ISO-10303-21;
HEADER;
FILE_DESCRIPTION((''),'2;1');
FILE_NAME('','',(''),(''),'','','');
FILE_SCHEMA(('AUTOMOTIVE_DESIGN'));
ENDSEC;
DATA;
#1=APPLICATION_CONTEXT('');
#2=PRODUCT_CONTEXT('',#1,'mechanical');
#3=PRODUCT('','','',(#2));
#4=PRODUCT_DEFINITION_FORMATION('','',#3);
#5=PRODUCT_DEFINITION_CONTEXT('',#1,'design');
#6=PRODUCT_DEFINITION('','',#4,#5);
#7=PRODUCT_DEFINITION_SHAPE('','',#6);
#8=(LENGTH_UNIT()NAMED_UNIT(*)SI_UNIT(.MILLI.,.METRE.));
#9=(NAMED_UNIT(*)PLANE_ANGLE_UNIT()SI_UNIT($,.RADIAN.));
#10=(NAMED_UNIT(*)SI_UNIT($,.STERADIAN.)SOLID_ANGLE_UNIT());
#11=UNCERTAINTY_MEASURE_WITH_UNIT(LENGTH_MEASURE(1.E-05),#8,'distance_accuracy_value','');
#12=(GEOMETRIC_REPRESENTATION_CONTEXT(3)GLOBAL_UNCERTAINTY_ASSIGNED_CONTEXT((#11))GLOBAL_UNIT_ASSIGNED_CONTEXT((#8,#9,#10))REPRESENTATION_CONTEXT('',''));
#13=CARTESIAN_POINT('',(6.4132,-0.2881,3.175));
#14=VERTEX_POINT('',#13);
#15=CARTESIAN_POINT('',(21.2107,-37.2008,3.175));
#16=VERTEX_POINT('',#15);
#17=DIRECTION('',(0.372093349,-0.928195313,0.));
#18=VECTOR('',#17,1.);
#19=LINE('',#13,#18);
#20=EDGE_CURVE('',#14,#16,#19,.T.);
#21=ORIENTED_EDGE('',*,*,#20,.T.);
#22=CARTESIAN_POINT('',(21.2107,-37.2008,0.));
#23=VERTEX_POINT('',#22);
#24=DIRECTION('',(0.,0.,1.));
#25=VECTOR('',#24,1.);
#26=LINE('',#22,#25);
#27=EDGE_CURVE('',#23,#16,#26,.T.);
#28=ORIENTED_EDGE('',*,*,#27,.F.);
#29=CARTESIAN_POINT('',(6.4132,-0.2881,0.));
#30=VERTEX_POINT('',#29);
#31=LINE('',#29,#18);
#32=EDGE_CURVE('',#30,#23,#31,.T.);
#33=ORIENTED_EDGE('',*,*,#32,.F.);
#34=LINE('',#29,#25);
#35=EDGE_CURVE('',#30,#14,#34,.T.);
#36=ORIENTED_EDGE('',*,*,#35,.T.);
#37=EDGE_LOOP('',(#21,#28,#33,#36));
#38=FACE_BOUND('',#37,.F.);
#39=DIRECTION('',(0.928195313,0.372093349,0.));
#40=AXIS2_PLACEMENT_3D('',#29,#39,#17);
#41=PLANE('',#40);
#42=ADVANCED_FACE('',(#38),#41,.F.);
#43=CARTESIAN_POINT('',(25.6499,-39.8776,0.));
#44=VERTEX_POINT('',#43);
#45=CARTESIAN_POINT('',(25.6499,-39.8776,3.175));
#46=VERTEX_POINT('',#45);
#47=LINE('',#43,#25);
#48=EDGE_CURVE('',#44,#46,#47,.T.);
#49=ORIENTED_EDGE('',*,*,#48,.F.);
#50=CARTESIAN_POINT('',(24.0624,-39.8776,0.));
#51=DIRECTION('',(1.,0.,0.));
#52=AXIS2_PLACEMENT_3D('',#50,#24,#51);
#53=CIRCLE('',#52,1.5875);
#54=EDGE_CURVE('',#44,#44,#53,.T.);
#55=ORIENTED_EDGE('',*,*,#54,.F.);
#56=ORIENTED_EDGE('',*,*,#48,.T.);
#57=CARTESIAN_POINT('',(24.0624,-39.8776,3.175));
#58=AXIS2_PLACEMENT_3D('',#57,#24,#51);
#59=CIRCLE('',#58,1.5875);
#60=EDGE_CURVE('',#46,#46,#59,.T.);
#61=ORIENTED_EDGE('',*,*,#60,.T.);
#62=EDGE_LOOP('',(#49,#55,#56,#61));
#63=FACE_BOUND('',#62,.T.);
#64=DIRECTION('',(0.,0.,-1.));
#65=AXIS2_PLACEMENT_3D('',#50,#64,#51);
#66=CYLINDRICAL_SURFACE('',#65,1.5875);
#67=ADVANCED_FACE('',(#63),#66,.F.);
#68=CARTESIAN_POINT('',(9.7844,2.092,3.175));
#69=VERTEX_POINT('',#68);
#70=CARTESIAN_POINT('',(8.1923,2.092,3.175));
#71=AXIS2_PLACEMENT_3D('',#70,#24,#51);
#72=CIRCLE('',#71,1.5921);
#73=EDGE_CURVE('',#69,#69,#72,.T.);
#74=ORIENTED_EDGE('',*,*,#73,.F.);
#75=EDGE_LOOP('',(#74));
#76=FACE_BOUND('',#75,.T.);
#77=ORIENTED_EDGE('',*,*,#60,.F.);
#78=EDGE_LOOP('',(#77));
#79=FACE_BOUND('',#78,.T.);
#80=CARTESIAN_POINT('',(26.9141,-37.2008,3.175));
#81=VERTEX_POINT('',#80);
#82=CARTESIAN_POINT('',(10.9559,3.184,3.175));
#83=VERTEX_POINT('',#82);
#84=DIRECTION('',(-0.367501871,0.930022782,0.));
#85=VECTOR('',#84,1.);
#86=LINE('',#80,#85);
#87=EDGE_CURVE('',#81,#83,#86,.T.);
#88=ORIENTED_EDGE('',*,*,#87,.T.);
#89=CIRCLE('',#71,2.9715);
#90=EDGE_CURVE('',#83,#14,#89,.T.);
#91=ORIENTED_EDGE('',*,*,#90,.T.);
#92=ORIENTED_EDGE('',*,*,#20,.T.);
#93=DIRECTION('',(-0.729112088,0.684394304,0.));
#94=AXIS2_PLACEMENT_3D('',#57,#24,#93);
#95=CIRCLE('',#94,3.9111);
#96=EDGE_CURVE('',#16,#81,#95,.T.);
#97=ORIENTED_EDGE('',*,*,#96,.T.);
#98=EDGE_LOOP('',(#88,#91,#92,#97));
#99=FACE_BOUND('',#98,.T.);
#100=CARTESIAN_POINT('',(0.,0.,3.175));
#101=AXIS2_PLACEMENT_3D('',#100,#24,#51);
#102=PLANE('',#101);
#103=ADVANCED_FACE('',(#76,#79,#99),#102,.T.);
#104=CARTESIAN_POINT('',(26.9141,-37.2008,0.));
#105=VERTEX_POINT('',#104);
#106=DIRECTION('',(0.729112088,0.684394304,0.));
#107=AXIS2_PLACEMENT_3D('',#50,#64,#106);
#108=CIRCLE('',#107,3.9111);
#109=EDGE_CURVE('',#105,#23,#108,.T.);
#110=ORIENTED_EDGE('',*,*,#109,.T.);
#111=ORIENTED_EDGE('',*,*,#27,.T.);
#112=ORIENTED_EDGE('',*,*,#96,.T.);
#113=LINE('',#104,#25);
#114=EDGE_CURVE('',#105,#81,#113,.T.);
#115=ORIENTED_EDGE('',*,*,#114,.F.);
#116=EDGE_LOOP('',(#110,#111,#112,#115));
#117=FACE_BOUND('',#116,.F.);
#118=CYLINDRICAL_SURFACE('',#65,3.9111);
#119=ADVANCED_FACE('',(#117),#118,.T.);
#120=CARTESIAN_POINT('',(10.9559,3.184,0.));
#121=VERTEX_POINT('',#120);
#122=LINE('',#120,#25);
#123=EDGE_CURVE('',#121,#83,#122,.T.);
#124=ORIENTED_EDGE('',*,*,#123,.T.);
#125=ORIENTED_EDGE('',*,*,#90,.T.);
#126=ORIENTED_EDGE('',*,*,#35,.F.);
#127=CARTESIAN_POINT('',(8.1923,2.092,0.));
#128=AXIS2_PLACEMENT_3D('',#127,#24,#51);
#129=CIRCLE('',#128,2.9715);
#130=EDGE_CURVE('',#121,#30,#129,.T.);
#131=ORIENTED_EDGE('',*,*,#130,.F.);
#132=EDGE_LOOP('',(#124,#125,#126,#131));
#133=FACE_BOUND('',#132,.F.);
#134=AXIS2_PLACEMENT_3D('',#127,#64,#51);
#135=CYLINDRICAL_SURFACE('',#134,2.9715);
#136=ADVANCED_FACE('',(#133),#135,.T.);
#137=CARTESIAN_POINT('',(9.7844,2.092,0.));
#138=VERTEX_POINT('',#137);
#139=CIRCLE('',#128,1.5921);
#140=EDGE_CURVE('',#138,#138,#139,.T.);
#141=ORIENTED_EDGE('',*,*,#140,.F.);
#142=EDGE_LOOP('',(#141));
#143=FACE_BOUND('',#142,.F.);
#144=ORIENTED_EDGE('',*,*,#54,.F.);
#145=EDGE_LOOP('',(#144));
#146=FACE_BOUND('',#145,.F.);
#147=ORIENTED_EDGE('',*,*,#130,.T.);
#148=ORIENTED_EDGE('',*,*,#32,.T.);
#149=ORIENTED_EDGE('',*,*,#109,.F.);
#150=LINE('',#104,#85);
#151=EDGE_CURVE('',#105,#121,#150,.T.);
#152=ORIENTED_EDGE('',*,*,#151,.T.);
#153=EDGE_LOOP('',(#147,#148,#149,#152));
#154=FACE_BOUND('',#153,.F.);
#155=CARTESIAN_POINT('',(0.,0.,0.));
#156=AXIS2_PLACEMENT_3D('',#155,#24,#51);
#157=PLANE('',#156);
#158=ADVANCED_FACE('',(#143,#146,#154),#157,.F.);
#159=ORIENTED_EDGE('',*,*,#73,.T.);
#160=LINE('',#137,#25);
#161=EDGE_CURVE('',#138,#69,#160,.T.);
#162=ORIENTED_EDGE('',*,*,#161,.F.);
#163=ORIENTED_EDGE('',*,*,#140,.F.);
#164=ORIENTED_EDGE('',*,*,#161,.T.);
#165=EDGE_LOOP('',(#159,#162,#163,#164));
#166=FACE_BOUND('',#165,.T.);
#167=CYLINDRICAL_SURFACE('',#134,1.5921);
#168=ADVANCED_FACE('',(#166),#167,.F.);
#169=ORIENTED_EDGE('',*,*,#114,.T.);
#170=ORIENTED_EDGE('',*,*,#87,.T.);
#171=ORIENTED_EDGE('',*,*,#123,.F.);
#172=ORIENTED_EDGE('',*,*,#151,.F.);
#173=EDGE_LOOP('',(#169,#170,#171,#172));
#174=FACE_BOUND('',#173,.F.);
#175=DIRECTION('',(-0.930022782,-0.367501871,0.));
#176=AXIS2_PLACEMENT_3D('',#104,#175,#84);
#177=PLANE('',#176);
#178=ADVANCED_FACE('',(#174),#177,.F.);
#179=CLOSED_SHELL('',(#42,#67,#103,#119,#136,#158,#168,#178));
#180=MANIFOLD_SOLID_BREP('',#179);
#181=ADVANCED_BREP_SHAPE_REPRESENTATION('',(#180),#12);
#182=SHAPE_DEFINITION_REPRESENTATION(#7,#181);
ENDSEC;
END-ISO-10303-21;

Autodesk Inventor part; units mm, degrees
ref_plane "YZ Plane" through (0, 0, 0) normal (1, 0, 0) x (0, 1, 0)
ref_plane "XZ Plane" through (0, 0, 0) normal (0, 1, 0) x (-1, 0, 0)
ref_plane "XY Plane" through (0, 0, 0) normal (0, 0, 1) x (1, 0, 0)
sketch "Sketch5" plane through (0, 0, 0) normal (0, 0, 1) x (1, 0, 0)
  line L0 (8.1925, 0) -> (8.1925, 2.0926)
  point P0 (0, 0)
sketch "Sketch6" plane through (0, 0, 0) normal (0, 0, 1) x (1, 0, 0)
  circle A0 centre (8.1925, 2.0909) radius 1.5875
  point P0 (0, 0)
  dimension "d2" = 3.175
sketch "Sketch7" plane through (0, 0, 0) normal (0, 0, 1) x (1, 0, 0)
  circle A0 centre (8.1923, 2.092) radius 1.5921
  circle A1 centre (8.1923, 2.092) radius 2.9715
  circle A2 centre (24.0624, -39.8776) radius 1.5875
  circle A3 centre (24.0624, -39.8776) radius 3.9111
  line L0 (6.4132, -0.2881) -> (21.2107, -37.2008)
  line L1 (26.9141, -37.2008) -> (10.9559, 3.184)
  point P0 (0, 0)
  dimension "d4" = 3.175
extrude "Extrusion1" add sketch "Sketch7" along normal blind 3.175
properties part number "LowerArm"
